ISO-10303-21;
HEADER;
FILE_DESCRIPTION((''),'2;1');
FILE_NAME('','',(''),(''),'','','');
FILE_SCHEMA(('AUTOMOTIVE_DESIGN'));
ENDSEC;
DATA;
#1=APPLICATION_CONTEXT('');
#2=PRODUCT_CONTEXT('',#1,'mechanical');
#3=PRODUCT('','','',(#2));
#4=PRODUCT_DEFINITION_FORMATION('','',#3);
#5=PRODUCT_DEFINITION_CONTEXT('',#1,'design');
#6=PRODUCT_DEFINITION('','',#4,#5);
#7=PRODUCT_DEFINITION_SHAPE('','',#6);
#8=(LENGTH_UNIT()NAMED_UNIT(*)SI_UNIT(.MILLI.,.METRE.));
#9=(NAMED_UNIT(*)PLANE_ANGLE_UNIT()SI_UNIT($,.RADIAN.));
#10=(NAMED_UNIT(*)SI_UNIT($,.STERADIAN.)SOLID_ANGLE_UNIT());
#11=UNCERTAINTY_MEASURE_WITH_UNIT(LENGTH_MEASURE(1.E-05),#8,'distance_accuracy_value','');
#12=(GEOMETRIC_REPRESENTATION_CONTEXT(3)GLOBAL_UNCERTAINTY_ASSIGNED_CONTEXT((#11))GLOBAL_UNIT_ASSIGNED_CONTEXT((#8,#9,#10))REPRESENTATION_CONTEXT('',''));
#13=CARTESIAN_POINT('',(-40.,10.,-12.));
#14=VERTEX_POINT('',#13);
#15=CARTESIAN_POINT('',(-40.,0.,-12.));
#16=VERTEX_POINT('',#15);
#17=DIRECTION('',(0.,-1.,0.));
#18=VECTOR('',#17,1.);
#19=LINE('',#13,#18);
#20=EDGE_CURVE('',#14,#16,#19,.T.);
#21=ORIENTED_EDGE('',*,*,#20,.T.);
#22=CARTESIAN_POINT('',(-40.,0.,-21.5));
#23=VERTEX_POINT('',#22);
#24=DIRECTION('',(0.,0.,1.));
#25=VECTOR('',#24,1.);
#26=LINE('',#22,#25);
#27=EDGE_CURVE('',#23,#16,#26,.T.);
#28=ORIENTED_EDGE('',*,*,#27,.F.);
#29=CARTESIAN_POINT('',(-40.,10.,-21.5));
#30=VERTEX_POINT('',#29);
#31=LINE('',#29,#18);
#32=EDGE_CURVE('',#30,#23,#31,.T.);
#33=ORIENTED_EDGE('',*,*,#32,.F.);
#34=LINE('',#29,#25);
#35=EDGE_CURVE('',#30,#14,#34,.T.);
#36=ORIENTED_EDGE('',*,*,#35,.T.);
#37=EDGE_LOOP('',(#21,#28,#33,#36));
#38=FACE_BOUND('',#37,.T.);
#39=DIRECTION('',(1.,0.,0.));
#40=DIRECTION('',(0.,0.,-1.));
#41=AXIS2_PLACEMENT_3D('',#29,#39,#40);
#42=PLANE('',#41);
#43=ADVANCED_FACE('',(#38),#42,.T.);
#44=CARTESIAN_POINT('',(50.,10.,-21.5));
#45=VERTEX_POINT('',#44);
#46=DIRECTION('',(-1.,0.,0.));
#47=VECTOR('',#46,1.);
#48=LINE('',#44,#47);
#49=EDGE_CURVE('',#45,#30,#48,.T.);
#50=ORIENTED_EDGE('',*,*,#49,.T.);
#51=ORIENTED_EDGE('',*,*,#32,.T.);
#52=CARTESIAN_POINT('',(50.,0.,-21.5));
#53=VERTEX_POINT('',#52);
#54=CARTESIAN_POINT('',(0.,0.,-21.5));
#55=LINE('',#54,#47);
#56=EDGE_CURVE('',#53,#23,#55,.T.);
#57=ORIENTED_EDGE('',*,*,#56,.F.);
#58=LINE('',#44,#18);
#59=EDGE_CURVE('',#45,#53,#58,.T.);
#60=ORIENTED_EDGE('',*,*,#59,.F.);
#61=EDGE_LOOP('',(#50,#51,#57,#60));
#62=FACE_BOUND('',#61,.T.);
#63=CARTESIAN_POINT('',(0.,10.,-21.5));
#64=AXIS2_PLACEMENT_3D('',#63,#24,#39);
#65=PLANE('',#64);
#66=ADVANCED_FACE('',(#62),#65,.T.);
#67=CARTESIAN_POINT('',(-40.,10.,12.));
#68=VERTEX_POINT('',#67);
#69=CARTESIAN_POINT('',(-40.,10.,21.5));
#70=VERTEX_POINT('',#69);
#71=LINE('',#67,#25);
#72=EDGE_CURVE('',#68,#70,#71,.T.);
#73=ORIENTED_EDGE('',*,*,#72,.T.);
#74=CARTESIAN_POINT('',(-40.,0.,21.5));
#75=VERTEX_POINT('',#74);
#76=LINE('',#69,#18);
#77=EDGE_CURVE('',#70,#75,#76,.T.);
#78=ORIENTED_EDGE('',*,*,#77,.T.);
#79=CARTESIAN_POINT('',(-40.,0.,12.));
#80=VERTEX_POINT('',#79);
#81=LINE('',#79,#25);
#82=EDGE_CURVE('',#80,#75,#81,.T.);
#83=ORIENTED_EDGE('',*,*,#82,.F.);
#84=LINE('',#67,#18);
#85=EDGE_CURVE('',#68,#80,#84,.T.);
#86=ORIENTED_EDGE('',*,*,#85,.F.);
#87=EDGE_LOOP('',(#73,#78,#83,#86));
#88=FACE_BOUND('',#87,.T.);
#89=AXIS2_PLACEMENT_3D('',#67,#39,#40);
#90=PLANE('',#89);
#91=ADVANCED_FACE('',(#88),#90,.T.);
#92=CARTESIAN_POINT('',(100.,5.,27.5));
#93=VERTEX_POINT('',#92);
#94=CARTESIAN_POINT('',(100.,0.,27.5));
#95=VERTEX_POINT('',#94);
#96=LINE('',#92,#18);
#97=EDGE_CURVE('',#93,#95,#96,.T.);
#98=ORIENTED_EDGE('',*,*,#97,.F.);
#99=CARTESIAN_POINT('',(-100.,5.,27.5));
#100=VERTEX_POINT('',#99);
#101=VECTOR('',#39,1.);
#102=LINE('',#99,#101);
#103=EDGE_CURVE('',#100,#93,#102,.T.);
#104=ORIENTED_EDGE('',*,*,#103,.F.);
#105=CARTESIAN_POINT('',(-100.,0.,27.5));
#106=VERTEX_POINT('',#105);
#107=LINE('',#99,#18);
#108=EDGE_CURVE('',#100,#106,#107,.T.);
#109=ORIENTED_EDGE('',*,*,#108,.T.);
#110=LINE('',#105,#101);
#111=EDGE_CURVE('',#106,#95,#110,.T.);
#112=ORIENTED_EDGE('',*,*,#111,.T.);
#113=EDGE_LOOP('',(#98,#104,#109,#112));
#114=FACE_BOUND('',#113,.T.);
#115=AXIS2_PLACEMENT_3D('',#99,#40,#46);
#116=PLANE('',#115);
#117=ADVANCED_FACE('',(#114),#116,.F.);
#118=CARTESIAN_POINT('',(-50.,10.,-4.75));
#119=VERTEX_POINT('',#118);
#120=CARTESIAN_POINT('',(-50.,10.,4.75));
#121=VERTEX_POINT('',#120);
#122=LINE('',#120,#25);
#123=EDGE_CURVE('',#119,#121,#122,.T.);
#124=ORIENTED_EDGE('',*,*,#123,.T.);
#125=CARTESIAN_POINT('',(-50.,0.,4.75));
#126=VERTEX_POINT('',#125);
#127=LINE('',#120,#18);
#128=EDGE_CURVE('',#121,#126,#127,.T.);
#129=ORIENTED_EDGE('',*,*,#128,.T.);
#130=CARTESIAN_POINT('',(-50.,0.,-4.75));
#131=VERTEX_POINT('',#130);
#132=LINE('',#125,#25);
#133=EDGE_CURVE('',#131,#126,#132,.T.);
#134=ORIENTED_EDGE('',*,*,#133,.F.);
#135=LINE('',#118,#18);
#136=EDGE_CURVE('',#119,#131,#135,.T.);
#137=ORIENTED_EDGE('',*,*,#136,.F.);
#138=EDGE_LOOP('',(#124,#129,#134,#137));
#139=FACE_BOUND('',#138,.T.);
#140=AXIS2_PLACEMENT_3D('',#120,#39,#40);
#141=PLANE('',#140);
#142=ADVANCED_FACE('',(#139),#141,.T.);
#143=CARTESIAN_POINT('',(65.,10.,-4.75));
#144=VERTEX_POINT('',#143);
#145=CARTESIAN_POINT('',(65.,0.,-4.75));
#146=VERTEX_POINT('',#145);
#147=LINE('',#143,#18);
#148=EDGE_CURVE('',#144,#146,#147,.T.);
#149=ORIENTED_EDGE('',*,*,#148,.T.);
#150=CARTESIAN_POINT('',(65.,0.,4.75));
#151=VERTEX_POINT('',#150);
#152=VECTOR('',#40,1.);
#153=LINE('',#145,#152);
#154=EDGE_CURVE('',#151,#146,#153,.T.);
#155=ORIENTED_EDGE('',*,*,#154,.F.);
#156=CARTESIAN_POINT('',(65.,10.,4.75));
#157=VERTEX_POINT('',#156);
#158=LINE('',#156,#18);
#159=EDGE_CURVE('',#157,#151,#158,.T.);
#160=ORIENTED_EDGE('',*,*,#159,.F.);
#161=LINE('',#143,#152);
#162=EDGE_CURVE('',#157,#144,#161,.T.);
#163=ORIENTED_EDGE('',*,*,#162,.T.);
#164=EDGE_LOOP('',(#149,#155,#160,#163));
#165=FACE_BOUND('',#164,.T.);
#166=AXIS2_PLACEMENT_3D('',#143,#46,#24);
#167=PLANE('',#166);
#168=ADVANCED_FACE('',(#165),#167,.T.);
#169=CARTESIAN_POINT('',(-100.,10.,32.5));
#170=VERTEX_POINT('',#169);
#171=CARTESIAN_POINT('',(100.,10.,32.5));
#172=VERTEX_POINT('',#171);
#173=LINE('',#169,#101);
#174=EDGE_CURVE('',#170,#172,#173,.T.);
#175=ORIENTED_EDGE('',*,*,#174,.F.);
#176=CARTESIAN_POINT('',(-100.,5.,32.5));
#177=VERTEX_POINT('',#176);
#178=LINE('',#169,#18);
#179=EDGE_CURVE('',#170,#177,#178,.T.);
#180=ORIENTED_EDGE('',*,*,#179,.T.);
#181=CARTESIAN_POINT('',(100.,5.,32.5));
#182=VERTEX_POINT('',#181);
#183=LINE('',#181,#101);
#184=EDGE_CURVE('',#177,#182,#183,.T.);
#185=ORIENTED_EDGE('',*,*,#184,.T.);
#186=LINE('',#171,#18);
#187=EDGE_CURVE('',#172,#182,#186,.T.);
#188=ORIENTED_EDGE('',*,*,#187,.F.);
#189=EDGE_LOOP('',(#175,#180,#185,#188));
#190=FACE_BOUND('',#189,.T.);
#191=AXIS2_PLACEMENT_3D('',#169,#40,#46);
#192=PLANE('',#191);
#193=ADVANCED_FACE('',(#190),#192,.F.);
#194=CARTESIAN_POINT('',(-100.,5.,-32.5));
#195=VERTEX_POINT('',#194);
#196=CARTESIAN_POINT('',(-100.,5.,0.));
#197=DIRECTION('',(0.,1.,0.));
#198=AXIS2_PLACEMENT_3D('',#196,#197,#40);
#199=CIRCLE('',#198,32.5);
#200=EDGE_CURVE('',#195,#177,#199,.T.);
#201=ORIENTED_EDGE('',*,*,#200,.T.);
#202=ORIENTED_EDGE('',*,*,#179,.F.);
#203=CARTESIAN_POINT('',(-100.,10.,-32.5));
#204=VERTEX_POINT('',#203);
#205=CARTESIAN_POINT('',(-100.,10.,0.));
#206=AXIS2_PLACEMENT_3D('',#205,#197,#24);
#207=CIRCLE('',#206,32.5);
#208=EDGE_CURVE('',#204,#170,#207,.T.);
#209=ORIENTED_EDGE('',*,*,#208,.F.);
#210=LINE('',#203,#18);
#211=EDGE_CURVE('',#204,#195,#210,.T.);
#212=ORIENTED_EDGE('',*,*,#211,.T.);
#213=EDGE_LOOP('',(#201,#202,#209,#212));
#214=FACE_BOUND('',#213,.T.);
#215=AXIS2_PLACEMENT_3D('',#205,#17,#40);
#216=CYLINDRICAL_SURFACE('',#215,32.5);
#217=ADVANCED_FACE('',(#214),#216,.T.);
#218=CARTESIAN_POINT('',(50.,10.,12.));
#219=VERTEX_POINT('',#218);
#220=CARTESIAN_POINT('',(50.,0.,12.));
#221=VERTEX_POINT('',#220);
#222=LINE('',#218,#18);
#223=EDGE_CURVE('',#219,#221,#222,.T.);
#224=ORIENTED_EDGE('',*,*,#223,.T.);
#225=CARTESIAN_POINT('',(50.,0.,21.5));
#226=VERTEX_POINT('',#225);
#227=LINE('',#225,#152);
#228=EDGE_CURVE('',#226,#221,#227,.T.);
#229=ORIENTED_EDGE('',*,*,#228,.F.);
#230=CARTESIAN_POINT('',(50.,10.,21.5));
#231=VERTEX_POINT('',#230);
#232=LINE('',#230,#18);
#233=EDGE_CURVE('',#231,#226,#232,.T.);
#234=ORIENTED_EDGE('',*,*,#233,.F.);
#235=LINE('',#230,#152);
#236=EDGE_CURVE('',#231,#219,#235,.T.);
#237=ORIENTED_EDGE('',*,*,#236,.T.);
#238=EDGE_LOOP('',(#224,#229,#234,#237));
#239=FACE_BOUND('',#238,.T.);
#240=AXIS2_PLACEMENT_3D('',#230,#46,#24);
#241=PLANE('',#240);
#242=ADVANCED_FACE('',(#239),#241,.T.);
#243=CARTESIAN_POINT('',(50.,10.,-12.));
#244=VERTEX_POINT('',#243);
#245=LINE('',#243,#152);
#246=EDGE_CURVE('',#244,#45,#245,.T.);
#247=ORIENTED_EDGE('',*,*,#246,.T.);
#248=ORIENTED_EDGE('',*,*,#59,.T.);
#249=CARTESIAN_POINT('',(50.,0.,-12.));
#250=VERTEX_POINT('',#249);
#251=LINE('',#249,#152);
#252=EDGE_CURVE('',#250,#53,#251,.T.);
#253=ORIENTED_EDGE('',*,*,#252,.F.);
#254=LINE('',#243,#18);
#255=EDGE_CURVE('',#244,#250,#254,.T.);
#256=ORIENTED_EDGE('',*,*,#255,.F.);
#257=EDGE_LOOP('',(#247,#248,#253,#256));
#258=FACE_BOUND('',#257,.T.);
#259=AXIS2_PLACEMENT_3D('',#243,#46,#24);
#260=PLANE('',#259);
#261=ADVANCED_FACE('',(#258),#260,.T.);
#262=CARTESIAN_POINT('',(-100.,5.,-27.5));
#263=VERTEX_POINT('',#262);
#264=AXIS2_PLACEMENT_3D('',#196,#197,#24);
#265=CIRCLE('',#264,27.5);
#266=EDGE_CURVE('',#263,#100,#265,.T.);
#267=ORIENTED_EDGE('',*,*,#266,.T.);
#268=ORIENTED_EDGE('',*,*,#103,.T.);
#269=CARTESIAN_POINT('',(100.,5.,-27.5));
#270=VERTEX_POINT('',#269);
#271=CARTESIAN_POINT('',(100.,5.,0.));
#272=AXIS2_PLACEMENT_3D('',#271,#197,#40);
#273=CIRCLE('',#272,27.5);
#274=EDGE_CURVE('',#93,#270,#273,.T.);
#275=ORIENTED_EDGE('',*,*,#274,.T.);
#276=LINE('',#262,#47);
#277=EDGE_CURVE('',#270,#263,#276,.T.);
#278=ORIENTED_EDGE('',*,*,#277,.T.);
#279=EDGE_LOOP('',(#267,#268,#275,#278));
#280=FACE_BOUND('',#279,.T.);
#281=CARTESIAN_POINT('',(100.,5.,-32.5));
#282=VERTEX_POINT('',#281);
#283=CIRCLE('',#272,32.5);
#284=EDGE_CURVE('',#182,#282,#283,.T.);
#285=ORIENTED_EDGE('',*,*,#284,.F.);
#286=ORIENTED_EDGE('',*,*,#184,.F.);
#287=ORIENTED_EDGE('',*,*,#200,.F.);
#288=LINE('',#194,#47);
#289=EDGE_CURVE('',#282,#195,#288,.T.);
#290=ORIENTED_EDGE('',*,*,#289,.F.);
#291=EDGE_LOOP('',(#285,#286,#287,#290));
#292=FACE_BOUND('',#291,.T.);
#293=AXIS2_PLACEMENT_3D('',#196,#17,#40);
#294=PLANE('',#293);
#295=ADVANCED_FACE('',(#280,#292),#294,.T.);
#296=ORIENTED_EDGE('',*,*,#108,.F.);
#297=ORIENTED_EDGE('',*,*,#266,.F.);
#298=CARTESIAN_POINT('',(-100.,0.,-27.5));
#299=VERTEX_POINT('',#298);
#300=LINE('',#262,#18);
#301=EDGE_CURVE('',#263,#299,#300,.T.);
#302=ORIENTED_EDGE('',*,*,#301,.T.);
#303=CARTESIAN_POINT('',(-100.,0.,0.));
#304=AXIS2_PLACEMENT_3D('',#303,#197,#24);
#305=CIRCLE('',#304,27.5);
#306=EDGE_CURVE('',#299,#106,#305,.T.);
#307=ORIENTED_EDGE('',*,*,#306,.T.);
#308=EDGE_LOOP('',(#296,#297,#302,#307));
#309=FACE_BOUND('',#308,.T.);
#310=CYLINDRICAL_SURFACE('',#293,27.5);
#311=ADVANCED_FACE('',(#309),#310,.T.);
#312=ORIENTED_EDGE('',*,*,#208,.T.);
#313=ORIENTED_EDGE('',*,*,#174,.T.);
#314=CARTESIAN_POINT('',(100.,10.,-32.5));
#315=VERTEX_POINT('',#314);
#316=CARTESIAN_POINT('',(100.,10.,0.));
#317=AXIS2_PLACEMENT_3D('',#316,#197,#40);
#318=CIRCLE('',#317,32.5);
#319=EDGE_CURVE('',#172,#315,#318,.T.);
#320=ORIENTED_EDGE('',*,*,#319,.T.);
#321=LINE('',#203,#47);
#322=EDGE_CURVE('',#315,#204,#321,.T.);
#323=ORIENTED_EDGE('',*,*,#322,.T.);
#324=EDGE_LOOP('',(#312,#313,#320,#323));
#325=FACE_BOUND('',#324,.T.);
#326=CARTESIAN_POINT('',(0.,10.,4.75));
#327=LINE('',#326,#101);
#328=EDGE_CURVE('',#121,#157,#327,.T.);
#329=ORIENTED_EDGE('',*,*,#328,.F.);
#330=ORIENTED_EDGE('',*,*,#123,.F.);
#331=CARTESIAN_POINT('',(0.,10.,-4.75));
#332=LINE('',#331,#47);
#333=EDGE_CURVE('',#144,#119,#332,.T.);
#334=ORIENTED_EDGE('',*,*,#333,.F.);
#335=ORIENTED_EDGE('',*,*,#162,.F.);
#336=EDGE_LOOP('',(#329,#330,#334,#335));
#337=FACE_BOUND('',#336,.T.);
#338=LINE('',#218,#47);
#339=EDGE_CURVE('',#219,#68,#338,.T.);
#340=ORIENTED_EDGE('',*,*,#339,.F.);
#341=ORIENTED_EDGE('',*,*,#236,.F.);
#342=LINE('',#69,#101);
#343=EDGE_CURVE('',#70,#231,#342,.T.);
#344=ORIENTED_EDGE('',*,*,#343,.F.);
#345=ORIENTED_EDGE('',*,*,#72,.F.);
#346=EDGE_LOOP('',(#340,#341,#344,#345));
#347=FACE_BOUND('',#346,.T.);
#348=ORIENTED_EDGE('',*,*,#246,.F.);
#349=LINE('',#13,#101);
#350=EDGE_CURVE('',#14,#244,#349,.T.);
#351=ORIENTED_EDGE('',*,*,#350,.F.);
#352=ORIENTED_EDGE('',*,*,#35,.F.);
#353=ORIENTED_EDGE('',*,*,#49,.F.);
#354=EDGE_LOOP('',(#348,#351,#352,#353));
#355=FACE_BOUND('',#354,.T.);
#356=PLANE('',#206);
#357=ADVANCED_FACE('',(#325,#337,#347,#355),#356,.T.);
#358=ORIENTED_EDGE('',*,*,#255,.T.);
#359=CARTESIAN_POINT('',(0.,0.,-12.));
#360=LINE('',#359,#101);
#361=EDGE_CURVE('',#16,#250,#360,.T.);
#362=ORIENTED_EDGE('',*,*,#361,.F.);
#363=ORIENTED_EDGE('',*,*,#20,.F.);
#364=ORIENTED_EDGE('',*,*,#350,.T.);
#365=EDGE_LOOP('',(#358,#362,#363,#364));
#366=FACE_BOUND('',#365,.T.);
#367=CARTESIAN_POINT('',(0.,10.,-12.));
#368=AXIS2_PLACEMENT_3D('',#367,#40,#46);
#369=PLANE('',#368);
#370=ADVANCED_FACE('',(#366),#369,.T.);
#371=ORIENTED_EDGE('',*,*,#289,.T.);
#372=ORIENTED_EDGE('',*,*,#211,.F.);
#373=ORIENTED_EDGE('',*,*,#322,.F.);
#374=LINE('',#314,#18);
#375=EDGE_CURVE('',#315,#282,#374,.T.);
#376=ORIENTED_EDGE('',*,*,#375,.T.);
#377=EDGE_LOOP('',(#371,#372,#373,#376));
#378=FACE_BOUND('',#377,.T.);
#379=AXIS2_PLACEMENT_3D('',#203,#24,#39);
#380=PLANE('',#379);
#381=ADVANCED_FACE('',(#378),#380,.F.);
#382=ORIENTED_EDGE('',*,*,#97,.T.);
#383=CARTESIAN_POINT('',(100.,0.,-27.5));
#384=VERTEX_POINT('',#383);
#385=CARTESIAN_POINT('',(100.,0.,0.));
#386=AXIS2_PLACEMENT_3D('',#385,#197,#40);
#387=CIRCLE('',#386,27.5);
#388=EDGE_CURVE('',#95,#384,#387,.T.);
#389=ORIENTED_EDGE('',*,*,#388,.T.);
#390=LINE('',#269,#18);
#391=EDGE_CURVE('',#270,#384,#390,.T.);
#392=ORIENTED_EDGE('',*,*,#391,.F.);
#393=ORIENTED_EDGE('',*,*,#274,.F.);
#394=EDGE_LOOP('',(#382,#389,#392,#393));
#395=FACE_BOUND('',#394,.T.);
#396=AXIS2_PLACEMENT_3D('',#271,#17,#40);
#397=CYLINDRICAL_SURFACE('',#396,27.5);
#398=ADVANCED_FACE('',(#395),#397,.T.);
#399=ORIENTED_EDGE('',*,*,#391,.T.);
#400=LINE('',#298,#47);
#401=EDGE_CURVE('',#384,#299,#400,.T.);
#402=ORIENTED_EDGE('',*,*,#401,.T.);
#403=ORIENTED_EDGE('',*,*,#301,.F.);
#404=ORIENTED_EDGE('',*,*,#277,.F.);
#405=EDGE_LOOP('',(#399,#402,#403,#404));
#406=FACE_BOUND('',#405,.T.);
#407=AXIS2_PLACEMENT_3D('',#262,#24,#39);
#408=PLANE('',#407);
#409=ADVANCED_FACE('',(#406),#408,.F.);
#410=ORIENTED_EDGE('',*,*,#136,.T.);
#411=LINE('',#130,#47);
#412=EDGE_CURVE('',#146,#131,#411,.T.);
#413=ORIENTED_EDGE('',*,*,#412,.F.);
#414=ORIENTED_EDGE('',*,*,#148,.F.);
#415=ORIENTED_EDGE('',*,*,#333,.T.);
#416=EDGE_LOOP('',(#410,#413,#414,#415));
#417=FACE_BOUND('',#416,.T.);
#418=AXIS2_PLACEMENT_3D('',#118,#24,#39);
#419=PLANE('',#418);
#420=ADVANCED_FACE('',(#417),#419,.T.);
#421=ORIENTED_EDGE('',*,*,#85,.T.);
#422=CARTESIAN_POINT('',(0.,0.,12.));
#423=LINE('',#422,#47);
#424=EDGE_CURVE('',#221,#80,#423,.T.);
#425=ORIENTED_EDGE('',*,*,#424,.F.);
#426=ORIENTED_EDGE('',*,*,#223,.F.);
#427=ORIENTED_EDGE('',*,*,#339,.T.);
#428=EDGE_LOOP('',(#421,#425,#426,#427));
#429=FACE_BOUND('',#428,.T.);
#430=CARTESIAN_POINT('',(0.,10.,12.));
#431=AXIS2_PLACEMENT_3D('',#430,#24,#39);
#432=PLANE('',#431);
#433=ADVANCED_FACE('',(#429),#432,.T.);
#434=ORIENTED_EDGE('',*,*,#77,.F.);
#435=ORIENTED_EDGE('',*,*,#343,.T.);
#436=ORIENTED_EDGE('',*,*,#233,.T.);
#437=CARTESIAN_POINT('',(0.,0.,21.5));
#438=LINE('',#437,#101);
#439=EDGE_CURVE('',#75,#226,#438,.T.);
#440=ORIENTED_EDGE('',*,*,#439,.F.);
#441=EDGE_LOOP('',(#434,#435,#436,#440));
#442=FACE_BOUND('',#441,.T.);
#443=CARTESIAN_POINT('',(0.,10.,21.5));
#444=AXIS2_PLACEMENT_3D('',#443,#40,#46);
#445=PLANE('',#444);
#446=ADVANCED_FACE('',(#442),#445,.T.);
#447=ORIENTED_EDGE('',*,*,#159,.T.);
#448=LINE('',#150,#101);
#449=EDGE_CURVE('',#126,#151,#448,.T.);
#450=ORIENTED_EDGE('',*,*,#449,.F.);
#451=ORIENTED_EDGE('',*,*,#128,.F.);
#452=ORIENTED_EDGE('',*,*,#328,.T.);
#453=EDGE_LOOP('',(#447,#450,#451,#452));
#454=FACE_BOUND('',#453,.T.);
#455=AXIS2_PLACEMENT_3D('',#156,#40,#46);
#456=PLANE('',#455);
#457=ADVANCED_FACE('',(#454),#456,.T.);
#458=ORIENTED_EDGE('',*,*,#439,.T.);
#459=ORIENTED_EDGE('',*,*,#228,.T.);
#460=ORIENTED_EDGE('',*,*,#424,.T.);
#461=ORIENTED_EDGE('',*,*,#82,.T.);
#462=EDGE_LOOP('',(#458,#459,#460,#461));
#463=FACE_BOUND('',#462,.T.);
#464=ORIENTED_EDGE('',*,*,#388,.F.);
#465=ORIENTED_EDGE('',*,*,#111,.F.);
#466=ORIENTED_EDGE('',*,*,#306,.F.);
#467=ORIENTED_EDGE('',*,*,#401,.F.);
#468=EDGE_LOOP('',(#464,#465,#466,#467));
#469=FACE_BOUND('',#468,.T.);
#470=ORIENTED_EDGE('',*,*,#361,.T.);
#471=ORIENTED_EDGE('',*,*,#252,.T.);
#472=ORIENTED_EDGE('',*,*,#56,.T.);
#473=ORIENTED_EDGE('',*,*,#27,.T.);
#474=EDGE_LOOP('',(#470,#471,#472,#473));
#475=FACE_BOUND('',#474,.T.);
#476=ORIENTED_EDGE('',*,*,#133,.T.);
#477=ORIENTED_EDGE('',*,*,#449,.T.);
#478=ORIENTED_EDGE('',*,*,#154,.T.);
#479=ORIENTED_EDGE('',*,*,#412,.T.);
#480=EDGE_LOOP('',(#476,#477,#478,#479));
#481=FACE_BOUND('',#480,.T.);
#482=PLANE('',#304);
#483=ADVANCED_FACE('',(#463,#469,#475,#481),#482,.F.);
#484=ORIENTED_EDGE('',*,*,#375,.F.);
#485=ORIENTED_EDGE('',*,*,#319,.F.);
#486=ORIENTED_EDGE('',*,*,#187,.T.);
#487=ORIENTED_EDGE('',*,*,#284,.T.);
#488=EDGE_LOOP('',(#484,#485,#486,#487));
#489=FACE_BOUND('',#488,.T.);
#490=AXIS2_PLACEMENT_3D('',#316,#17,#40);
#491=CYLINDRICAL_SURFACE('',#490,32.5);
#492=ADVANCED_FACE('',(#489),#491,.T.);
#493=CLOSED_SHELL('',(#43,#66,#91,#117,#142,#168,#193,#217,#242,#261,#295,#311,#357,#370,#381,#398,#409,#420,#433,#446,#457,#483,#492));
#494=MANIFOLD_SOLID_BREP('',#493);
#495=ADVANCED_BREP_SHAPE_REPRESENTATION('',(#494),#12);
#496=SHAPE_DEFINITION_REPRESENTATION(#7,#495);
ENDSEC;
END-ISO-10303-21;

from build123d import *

# Parameters (mm, degrees)
BOSS_EXTRUDE1_DEPTH = 10
CUT_EXTRUDE1_DEPTH  = 5


with BuildPart() as part:
    # Sketch1 → Boss-Extrude1 (new body)
    with BuildSketch(Plane(origin=(0, 0, 0), x_dir=(1, 0, 0), z_dir=(0, 1, 0))):
        with BuildLine():
            Line((-100, 32.5), (100, 32.5))
            ThreePointArc((100, 32.5), (132.5, 0), (100, -32.5))
            Line((100, -32.5), (-100, -32.5))
            ThreePointArc((-100, -32.5), (-132.5, 0), (-100, 32.5))
        make_face()
        Polygon((0, 21.5), (-40, 21.5), (-40, 12), (0, 12), (50, 12), (50, 21.5), align=None, mode=Mode.SUBTRACT)
        Polygon((-50, 4.75), (0, 4.75), (65, 4.75), (65, -4.75), (0, -4.75), (-50, -4.75), align=None, mode=Mode.SUBTRACT)
        Polygon((0, -12), (-40, -12), (-40, -21.5), (0, -21.5), (50, -21.5), (50, -12), align=None, mode=Mode.SUBTRACT)
    extrude(amount=BOSS_EXTRUDE1_DEPTH)

    # Sketch2 → Cut-Extrude1 (cut)
    with BuildSketch(Plane(origin=(0, 0, 0), x_dir=(1, 0, 0), z_dir=(0, 1, 0))):
        with BuildLine():
            Line((-100, 32.5), (100, 32.5))
            ThreePointArc((100, 32.5), (132.5, 0), (100, -32.5))
            Line((100, -32.5), (-100, -32.5))
            ThreePointArc((-100, -32.5), (-132.5, 0), (-100, 32.5))
        make_face()
        with BuildLine():
            Line((-100, 27.5), (100, 27.5))
            ThreePointArc((100, 27.5), (127.5, 0), (100, -27.5))
            Line((100, -27.5), (-100, -27.5))
            ThreePointArc((-100, -27.5), (-127.5, 0), (-100, 27.5))
        make_face(mode=Mode.SUBTRACT)
    extrude(amount=CUT_EXTRUDE1_DEPTH, mode=Mode.SUBTRACT)


solid = part.part
